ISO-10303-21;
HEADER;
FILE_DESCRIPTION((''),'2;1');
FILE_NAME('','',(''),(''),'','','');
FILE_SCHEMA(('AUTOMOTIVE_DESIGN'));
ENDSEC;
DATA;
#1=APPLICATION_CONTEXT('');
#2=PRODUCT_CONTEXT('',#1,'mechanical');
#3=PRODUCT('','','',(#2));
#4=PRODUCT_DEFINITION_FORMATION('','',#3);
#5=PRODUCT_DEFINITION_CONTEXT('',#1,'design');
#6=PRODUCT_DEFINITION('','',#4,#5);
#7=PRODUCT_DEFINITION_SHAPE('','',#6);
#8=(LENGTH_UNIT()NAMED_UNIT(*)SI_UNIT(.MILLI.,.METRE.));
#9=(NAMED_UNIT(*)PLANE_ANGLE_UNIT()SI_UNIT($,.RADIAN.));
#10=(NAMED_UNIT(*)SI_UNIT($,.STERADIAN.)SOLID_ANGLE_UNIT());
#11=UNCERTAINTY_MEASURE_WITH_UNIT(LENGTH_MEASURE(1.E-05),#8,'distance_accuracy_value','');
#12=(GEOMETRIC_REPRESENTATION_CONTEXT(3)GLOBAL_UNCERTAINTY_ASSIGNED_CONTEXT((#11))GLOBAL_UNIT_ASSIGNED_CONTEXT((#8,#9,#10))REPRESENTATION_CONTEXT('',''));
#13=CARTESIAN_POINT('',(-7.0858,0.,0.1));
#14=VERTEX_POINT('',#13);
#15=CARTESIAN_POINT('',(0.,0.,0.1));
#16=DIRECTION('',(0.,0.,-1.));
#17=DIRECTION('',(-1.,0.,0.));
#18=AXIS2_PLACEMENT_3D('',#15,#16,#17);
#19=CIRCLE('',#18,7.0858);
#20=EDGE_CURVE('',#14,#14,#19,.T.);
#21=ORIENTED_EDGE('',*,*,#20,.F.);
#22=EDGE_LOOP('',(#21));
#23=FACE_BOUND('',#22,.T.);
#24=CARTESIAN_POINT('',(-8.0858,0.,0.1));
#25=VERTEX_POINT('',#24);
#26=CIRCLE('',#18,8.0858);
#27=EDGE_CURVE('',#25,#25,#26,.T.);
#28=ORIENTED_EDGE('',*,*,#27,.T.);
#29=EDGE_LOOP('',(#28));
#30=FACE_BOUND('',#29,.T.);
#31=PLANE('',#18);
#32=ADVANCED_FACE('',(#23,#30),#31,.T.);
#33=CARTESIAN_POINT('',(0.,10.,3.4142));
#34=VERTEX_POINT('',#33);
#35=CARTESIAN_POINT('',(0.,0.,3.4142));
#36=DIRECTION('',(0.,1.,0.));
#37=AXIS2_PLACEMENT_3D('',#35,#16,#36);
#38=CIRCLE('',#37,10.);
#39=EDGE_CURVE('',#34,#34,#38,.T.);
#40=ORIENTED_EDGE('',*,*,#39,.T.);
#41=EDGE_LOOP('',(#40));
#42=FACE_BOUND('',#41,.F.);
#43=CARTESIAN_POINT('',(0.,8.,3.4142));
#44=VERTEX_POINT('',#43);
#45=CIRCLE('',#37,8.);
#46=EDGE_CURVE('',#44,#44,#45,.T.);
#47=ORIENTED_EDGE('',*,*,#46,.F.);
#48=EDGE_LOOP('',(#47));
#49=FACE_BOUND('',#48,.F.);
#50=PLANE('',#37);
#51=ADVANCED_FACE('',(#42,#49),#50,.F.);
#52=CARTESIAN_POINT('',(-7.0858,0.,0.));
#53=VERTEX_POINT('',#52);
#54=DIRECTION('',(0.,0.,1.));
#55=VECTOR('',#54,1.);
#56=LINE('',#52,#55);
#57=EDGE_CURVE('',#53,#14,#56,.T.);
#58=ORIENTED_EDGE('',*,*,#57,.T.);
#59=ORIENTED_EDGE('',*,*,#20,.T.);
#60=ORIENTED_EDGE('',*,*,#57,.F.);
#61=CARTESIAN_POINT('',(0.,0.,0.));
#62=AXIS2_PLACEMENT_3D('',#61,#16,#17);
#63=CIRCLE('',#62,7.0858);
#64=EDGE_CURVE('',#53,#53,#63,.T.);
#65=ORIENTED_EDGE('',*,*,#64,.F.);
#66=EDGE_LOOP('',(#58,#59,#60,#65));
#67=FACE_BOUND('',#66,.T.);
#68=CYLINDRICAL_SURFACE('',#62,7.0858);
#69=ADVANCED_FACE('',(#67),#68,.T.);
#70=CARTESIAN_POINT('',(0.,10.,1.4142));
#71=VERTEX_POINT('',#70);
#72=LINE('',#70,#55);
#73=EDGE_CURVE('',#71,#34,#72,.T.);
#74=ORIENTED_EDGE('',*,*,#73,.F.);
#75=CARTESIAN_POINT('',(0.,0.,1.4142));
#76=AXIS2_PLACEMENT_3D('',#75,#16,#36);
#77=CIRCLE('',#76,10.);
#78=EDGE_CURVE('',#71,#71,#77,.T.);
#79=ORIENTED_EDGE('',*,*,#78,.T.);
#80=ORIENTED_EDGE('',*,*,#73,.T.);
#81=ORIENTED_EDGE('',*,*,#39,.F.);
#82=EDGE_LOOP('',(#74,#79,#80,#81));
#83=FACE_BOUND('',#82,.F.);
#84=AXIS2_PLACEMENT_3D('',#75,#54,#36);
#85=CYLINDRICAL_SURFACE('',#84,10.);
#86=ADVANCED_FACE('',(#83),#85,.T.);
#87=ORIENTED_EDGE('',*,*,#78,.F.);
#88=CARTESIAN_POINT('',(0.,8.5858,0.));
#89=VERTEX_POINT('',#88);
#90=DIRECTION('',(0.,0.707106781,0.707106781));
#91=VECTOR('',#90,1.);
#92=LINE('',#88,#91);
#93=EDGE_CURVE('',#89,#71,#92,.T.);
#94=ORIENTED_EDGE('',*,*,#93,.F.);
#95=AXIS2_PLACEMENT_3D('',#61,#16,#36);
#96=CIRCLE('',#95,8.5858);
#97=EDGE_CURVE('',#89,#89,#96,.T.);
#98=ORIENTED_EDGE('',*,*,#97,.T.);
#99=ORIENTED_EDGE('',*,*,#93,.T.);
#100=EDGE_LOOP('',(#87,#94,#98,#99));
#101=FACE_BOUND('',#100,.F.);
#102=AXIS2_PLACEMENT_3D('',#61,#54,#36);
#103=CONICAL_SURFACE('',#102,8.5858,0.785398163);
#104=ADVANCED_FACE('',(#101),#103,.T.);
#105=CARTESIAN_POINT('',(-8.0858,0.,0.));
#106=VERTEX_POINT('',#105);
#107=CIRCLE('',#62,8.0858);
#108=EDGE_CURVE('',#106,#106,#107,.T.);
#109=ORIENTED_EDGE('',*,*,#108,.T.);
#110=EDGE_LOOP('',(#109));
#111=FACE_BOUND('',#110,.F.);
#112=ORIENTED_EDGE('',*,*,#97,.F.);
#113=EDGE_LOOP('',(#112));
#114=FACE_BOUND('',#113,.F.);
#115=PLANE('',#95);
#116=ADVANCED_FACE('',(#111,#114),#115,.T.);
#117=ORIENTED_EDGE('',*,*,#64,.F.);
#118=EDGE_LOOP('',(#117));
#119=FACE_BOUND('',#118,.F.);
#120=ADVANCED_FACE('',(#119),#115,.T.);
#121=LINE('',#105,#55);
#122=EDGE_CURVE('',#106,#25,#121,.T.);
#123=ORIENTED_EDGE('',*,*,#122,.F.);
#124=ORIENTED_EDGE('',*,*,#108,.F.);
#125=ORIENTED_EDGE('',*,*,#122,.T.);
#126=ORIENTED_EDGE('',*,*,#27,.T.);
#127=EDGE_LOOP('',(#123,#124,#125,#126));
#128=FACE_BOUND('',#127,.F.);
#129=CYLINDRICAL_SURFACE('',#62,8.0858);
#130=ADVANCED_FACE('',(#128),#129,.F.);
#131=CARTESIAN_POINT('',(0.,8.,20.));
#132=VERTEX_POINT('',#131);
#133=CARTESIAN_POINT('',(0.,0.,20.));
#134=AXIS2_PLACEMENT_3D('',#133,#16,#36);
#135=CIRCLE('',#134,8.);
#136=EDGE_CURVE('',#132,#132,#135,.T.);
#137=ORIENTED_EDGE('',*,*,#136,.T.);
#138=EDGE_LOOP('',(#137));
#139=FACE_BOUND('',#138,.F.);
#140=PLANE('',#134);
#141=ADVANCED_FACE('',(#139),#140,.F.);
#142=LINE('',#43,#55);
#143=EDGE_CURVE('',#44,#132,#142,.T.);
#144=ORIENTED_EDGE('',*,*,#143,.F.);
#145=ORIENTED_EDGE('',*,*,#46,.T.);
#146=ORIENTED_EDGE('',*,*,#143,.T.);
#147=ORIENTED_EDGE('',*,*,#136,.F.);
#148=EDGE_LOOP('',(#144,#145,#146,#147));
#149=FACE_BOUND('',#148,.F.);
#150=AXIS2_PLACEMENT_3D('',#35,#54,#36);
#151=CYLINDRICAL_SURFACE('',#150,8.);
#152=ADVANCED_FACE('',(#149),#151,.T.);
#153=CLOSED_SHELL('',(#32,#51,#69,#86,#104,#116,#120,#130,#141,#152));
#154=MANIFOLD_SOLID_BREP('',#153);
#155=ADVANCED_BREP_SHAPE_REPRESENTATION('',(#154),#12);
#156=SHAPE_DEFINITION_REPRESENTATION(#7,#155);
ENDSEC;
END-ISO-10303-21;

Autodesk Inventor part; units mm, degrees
ref_plane "YZ Plane" through (0, 0, 0) normal (1, 0, 0) x (0, 1, 0)
ref_plane "XZ Plane" through (0, 0, 0) normal (0, 1, 0) x (-1, 0, 0)
ref_plane "XY Plane" through (0, 0, 0) normal (0, 0, 1) x (1, 0, 0)
sketch "Sketch1" plane through (0, 0, 0) normal (1, 0, 0) x (0, 1, 0)
  line L0 (0, 0) -> (8.5858, 0)
  line L1 (8.5858, 0) -> (10, 1.4142)
  line L2 (10, 1.4142) -> (10, 3.4142)
  line L3 (10, 3.4142) -> (8, 3.4142)
  line L4 (8, 3.4142) -> (8, 20)
  line L5 (8, 20) -> (0, 20)
  line L6 (0, 20) -> (0, 0)
  dimension "d1" = 16
  dimension "d2" = 2
  dimension "d3" = 2
  dimension "d4" = 45
  dimension "d5" = 20
revolve "Revolution1" add sketch "Sketch1" angle 360 about axis through (0, 0, 20) along (0, 0, -1)
sketch "Sketch2" plane through (0, 0, 0) normal (0, 0, -1) x (-1, 0, 0)
  circle A0 centre (0, 0) radius 8.5858 projected
  circle A1 centre (0, 0) radius 8.0858
  circle A2 centre (0, 0) radius 7.0858
  dimension "d7" = 0.5
  dimension "d8" = 1
extrude "Extrusion1" cut sketch "Sketch2" against normal blind 0.1 contours A1
properties part number "Power Button" material "Stainless Steel"
